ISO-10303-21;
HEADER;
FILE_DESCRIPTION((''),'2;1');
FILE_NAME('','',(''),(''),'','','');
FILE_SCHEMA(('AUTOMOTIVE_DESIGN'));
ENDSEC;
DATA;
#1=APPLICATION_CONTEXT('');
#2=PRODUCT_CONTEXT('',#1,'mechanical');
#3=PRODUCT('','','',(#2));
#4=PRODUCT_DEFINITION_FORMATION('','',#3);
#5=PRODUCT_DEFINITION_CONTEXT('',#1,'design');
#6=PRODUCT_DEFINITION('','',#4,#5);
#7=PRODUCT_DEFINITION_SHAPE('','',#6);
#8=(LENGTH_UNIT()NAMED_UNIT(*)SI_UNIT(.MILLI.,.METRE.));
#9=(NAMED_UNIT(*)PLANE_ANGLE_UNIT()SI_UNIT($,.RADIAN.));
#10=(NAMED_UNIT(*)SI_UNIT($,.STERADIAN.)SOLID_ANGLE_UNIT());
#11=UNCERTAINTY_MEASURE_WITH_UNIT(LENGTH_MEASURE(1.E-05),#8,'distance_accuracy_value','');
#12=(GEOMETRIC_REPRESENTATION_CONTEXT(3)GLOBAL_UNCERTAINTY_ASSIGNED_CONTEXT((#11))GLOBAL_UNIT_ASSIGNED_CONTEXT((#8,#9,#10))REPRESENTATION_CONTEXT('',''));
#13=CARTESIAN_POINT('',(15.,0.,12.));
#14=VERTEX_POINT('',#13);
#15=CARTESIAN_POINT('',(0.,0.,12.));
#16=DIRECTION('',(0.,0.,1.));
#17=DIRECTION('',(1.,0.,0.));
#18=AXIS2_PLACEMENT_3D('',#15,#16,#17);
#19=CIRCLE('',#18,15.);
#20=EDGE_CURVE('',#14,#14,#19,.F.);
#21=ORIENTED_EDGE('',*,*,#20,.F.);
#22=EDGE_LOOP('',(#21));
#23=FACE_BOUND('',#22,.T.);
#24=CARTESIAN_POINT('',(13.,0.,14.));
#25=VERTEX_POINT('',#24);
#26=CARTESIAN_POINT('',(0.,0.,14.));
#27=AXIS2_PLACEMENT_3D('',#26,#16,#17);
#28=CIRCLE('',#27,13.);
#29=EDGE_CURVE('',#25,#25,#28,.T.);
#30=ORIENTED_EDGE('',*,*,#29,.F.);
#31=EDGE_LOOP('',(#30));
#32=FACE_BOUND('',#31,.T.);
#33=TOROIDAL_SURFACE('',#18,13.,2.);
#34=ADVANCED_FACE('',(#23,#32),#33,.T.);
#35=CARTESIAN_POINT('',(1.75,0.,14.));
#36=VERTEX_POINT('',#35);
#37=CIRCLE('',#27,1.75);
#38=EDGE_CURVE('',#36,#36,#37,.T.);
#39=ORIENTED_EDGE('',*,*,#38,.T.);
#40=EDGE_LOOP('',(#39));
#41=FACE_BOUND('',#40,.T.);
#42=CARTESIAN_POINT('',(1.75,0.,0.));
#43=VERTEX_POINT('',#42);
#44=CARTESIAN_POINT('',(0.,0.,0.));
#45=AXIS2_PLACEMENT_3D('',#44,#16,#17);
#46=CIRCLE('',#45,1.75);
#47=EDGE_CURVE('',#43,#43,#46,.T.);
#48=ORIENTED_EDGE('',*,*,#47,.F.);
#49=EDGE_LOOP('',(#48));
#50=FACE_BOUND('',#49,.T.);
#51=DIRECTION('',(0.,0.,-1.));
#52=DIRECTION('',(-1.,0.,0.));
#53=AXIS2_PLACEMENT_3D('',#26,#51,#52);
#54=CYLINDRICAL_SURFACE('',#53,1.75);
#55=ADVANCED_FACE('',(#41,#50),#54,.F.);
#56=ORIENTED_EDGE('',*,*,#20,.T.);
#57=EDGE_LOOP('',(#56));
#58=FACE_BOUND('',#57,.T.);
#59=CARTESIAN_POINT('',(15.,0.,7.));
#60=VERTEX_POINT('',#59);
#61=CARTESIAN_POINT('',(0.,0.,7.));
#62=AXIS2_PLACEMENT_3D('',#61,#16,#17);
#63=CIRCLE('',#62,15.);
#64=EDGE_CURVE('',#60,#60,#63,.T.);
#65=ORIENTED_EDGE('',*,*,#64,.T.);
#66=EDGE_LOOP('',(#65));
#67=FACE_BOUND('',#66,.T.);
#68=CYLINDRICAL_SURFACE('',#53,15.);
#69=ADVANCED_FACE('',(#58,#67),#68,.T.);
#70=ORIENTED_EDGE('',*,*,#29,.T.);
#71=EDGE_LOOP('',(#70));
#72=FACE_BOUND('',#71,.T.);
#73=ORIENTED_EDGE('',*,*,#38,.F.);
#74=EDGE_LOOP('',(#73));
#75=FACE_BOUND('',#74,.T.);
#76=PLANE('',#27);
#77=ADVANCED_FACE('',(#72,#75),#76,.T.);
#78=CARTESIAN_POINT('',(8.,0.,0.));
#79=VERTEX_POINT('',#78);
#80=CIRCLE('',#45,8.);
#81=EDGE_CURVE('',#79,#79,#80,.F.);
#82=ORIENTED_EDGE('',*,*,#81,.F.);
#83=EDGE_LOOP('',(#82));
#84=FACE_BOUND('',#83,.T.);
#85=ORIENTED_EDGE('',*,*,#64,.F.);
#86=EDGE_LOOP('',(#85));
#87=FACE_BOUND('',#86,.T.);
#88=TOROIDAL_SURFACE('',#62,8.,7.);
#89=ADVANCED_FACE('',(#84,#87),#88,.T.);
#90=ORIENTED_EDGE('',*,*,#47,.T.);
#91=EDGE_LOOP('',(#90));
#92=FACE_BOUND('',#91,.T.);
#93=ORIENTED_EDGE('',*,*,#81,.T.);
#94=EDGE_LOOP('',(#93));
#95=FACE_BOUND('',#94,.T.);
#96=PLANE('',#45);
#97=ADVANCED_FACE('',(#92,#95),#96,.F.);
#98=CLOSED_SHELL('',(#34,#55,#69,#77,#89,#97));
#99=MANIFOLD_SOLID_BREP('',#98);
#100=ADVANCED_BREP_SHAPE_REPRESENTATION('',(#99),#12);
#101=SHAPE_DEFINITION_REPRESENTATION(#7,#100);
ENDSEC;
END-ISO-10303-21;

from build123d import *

# Parameters (mm, degrees)
SKETCH_1_R      = 15
SKETCH_1_R_2    = 1.75
EXTRUDE_1_DEPTH = 14
FILLET_1_R      = 2
FILLET_2_R      = 7


with BuildPart() as part:
    # Эскиз1 → Бобышка-Вытянуть1 (new body)
    with BuildSketch(Plane.XY):
        Circle(SKETCH_1_R)
        Circle(SKETCH_1_R_2, mode=Mode.SUBTRACT)
    extrude(amount=EXTRUDE_1_DEPTH)

    # Скругление1
    fillet_1_edges = [part.edges().sort_by_distance(p)[0] for p in [
        (-15, 0, 14),
    ]]
    fillet(fillet_1_edges, radius=FILLET_1_R)

    # Скругление2
    fillet_2_edges = [part.edges().sort_by_distance(p)[0] for p in [
        (-15, 0, 0),
    ]]
    fillet(fillet_2_edges, radius=FILLET_2_R)


solid = part.part
